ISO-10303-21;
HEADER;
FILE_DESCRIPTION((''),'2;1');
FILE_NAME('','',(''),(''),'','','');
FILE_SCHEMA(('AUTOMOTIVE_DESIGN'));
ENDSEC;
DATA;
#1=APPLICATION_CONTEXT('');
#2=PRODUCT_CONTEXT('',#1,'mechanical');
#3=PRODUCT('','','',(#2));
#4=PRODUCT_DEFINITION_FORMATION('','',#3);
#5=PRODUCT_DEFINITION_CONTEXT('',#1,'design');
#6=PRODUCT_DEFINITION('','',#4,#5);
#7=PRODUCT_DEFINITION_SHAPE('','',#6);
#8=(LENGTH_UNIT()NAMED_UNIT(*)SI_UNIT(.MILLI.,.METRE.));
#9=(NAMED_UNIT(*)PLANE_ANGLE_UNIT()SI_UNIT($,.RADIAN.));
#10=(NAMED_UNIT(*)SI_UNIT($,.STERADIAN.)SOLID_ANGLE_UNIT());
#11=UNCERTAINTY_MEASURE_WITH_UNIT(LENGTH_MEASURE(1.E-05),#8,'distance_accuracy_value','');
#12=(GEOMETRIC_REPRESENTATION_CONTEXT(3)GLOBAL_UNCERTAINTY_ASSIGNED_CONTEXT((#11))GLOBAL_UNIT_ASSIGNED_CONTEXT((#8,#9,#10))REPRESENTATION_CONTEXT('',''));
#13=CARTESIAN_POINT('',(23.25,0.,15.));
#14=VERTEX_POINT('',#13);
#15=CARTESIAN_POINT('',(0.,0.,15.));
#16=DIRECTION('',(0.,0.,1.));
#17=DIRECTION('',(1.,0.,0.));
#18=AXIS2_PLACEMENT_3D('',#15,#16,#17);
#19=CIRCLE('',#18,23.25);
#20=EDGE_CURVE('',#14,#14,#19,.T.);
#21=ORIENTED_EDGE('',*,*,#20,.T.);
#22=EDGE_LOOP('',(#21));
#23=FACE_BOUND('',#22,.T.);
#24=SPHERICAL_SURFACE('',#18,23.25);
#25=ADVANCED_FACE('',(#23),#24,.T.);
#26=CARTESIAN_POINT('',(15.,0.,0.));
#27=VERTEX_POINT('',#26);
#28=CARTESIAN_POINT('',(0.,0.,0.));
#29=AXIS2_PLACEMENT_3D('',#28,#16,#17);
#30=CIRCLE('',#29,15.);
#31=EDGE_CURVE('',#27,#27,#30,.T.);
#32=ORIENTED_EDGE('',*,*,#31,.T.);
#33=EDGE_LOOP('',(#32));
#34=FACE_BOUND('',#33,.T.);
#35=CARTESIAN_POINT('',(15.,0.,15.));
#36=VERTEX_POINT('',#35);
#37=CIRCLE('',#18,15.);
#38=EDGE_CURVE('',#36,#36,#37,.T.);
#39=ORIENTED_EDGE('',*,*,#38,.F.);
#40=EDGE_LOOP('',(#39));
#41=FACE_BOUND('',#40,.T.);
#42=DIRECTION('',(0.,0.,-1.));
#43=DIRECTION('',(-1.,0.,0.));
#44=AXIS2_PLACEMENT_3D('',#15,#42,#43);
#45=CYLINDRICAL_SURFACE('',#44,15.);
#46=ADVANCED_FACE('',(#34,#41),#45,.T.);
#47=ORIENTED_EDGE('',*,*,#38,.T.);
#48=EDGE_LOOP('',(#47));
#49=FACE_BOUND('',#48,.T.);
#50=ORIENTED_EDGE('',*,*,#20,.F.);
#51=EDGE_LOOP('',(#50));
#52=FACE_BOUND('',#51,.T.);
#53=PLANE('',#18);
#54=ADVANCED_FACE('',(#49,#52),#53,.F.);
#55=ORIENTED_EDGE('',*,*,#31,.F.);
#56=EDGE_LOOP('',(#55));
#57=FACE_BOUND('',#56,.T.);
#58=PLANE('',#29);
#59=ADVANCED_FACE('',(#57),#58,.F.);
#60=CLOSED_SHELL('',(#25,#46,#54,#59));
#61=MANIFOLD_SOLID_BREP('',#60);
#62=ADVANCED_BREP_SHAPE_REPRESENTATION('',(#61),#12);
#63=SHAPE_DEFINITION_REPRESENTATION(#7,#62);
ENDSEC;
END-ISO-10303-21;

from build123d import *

# Parameters (mm, degrees)
SKETCH1_R           = 15
BOSS_EXTRUDE1_DEPTH = 15
REVOLVE1_ANGLE      = 180


with BuildPart() as part:
    # Sketch1 → Boss-Extrude1 (new body)
    with BuildSketch(Plane.XY):
        Circle(SKETCH1_R)
    extrude(amount=BOSS_EXTRUDE1_DEPTH)

    # Sketch2 → Revolve1 (revolve)
    with BuildSketch(Plane.XY.offset(15)):
        with BuildLine():
            Line((0, 23.25), (0, -23.25))
            ThreePointArc((0, -23.25), (23.25, 0), (0, 23.25))
        make_face()
    revolve(axis=Axis((0, 0, 15), (0, -1, 0)), revolution_arc=REVOLVE1_ANGLE)


solid = part.part
